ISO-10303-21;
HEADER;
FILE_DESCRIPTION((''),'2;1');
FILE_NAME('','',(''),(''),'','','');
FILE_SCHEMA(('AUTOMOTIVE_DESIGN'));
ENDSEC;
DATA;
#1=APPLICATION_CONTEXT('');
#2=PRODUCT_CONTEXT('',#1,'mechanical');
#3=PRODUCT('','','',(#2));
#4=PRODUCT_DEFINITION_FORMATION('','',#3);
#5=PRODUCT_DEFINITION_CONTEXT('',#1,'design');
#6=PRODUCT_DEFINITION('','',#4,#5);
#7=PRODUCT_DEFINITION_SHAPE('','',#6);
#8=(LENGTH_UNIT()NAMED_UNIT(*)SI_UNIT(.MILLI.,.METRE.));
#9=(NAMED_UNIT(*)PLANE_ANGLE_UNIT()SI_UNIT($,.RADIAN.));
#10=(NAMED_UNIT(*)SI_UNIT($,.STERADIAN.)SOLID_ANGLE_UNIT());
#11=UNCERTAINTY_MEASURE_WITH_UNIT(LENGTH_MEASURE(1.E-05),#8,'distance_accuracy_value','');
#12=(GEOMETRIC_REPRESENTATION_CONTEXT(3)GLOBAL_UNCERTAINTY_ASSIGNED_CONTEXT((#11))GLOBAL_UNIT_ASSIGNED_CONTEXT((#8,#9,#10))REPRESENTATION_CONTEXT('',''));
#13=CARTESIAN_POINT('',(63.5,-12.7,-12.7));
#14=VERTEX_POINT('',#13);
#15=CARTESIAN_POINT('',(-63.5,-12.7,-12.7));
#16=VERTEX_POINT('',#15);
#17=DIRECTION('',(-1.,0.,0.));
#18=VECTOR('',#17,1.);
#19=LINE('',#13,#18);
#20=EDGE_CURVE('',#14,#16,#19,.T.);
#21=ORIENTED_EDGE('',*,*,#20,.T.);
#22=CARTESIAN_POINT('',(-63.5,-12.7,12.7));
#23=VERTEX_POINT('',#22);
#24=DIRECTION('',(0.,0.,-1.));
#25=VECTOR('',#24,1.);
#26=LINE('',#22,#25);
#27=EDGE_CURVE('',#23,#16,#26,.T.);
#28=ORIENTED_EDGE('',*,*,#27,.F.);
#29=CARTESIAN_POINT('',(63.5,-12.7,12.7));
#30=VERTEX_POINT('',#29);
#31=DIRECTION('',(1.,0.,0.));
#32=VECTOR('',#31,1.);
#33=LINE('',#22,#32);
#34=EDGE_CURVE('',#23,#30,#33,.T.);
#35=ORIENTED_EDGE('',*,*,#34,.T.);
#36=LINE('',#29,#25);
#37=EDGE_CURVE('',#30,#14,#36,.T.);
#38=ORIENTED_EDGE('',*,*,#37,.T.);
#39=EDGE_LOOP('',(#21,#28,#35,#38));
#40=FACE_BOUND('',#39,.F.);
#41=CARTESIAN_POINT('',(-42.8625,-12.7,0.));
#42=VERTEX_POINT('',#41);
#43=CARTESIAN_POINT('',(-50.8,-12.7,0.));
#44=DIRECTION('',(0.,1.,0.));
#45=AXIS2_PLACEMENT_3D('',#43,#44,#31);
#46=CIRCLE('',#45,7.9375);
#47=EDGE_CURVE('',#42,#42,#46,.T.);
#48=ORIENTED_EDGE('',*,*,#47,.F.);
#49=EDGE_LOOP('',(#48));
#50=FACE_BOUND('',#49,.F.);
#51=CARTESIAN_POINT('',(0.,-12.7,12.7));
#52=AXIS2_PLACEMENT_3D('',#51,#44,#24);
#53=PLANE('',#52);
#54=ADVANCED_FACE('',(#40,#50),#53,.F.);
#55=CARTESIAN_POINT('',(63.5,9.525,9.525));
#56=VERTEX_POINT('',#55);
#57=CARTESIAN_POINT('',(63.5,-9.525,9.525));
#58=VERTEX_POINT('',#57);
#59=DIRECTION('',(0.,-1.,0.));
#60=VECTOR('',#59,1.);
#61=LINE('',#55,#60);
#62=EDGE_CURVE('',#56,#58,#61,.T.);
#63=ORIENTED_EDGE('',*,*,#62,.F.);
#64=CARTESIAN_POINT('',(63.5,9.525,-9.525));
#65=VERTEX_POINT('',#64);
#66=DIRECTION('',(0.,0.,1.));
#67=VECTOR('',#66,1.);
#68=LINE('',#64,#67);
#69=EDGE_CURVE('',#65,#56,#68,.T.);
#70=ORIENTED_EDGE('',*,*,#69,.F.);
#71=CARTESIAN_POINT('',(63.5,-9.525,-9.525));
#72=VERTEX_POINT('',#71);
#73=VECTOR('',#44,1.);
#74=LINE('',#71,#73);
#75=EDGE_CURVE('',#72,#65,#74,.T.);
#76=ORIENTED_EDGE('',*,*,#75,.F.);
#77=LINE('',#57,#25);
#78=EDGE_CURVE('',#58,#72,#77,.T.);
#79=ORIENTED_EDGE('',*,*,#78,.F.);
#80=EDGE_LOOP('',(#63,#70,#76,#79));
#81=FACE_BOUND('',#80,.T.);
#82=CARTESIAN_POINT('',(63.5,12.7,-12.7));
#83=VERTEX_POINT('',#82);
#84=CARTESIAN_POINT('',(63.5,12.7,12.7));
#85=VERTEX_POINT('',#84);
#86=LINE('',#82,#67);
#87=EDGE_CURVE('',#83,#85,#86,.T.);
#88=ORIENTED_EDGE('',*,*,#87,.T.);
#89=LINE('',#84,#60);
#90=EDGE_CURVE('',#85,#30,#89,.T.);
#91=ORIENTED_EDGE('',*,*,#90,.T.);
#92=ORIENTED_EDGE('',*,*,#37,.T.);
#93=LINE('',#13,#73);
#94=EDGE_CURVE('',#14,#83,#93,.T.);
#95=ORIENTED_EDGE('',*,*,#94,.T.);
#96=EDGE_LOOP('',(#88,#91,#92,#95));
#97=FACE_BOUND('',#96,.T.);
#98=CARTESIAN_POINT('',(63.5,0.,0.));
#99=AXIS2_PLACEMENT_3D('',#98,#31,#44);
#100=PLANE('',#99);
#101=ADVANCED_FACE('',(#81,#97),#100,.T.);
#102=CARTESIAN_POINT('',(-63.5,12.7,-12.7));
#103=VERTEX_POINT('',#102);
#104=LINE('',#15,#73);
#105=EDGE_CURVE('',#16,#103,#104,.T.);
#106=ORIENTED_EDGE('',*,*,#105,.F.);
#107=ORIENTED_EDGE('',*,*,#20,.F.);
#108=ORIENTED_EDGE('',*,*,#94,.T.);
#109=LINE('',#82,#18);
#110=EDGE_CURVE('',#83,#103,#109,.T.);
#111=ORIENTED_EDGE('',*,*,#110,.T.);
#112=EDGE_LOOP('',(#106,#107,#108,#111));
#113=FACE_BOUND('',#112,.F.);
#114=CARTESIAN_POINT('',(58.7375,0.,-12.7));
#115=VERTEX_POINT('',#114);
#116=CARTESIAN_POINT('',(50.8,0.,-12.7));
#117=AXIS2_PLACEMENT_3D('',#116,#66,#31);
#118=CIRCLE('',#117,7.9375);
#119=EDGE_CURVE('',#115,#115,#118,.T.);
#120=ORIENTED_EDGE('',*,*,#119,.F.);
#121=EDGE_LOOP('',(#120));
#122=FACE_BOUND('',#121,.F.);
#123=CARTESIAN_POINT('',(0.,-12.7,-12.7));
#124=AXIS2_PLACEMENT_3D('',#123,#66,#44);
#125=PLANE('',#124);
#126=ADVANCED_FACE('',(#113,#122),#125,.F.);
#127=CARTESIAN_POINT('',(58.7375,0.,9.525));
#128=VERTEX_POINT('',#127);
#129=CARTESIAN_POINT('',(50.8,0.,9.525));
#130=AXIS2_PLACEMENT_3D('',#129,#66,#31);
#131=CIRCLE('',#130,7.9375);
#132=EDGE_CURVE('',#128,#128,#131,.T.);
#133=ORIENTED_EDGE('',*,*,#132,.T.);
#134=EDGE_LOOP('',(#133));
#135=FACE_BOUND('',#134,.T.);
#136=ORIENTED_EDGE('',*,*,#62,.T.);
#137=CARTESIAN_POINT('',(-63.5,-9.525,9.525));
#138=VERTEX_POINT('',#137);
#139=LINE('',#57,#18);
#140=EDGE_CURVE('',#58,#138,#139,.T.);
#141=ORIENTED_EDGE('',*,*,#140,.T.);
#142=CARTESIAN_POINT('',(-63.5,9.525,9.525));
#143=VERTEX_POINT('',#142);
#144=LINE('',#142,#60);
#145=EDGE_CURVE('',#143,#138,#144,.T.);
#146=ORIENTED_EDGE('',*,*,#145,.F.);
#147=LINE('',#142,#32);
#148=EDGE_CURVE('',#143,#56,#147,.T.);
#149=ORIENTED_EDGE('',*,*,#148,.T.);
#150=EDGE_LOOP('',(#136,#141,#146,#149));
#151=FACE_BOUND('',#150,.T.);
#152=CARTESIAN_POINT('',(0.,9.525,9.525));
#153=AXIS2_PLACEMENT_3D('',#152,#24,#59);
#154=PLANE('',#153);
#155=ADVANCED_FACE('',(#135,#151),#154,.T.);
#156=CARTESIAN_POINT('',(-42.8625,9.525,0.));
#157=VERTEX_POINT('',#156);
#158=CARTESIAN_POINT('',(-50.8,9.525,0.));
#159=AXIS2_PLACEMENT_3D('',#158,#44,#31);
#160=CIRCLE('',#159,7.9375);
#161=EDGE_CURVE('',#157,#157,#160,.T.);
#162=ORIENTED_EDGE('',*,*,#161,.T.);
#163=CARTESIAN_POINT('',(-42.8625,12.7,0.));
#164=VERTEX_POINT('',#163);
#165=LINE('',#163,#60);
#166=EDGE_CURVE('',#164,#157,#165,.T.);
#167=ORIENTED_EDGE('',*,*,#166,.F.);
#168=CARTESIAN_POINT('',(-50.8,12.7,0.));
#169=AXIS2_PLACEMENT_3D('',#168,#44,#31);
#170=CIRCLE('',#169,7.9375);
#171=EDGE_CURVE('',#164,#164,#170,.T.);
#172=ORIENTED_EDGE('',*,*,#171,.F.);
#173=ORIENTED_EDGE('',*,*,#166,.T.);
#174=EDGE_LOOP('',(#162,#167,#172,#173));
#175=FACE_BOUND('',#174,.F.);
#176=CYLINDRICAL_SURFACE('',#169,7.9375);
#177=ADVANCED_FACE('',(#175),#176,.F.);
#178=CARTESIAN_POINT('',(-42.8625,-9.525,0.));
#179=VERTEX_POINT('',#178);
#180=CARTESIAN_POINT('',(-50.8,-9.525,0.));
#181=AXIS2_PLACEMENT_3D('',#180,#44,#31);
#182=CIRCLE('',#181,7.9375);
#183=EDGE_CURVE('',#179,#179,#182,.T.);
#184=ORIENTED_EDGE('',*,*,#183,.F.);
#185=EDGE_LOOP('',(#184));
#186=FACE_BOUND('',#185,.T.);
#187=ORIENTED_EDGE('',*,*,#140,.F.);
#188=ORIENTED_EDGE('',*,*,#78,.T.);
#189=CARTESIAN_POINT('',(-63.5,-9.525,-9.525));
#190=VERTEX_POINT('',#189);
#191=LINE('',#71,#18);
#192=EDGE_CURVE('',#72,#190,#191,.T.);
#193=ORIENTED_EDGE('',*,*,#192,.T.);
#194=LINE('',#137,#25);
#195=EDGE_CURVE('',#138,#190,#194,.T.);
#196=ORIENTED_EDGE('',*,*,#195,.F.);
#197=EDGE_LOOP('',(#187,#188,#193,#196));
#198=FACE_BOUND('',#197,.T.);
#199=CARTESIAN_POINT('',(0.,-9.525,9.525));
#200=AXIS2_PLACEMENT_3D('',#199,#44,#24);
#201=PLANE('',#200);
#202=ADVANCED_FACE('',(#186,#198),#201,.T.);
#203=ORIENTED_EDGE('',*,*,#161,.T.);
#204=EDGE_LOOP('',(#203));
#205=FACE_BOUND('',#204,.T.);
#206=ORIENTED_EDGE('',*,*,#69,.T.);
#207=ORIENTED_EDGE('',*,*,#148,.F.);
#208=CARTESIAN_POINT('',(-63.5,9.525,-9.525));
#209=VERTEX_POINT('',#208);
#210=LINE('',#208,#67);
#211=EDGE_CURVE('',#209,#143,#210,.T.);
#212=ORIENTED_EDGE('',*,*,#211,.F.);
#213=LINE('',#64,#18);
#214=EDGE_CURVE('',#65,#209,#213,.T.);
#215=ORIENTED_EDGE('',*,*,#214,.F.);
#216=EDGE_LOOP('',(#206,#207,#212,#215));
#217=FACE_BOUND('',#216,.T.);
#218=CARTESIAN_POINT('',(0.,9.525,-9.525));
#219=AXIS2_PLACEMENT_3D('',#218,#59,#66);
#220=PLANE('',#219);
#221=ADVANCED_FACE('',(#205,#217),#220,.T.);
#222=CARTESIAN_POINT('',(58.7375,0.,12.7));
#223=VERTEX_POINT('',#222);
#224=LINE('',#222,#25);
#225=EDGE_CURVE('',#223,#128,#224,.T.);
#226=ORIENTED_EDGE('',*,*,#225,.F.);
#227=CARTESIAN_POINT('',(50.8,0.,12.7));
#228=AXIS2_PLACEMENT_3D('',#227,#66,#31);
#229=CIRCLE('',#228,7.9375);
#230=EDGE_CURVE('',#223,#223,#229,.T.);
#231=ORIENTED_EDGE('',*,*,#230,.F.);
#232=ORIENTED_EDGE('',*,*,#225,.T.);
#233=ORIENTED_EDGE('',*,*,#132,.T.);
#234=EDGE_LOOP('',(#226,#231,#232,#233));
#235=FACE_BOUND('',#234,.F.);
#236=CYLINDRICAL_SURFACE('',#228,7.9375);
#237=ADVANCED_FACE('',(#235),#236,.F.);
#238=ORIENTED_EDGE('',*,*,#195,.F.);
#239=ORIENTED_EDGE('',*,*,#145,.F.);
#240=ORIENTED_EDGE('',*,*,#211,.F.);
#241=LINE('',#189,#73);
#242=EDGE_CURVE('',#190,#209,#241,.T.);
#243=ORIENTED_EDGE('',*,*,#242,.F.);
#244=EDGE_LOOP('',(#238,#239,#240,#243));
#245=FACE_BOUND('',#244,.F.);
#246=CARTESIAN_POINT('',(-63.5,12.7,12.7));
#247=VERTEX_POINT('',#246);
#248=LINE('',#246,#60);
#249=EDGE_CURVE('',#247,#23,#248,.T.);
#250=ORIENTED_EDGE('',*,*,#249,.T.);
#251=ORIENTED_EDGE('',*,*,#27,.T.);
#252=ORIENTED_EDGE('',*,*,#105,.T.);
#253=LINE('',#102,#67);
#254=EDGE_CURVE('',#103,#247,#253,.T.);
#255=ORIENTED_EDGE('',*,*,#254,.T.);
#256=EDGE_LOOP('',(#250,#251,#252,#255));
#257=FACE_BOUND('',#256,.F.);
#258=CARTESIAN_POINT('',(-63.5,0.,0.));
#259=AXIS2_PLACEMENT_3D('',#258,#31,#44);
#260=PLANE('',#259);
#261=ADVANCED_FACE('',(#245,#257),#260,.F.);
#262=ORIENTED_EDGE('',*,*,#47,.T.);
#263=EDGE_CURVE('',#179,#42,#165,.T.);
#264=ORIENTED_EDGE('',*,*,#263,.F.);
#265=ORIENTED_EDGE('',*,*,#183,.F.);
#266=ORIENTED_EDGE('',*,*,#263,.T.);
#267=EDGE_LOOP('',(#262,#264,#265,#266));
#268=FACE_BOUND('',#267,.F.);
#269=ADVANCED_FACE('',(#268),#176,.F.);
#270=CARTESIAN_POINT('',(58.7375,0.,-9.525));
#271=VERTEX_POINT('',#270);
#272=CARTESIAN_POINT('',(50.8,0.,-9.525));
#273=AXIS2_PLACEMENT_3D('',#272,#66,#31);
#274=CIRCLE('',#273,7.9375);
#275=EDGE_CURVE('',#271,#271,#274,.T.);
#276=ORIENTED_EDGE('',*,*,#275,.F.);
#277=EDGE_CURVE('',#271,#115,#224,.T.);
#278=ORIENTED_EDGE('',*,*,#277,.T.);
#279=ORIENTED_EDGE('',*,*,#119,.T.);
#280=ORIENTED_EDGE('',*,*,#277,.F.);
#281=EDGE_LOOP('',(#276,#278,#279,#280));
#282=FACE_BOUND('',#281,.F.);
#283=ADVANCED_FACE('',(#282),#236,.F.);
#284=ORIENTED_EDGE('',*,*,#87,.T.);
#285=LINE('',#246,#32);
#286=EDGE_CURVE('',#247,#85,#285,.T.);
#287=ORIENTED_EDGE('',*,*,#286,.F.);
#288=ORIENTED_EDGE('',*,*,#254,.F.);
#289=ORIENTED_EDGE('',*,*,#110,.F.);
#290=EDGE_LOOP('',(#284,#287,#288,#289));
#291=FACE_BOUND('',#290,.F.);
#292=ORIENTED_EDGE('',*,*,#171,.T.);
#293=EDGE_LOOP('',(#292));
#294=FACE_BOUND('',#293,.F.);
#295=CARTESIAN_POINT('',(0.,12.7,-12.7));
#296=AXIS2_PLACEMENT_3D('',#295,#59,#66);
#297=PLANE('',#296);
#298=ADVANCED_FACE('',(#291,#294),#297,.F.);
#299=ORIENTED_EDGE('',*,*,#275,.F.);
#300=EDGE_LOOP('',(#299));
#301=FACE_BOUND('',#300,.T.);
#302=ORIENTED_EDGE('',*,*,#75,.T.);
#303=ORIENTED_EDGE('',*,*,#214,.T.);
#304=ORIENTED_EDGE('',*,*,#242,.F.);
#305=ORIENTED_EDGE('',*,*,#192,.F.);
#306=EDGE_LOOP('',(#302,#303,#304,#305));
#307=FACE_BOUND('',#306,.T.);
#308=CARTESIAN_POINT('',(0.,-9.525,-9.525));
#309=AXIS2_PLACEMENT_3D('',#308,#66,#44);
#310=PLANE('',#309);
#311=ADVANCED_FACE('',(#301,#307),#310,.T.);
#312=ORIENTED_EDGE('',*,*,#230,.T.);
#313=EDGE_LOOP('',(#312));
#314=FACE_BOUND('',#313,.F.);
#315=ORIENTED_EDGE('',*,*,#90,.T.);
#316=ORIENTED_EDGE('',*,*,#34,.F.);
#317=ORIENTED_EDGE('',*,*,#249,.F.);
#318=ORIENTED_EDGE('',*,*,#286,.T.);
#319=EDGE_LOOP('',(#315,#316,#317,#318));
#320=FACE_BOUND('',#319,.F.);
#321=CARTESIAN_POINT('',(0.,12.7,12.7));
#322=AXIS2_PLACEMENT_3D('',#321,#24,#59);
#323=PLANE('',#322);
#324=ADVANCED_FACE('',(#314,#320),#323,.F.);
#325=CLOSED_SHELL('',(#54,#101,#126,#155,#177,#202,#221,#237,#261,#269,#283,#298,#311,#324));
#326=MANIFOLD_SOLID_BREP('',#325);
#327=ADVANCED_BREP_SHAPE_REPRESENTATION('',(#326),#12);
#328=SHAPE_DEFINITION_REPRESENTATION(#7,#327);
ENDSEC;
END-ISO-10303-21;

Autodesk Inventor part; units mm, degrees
ref_plane "YZ Plane" through (0, 0, 0) normal (1, 0, 0) x (0, 1, 0)
ref_plane "XZ Plane" through (0, 0, 0) normal (0, 1, 0) x (-1, 0, 0)
ref_plane "XY Plane" through (0, 0, 0) normal (0, 0, 1) x (1, 0, 0)
sketch "Sketch1" plane through (0, 0, 0) normal (1, 0, 0) x (0, 1, 0)
  line L0 (-17.78, 0) -> (17.78, 0) construction
  line L1 (0, -17.78) -> (0, 17.78) construction
  line L2 (9.525, 9.525) -> (-9.525, 9.525)
  line L3 (-9.525, 9.525) -> (-9.525, -9.525)
  line L4 (-9.525, -9.525) -> (9.525, -9.525)
  line L5 (9.525, -9.525) -> (9.525, 9.525)
  line L6 (12.7, 12.7) -> (-12.7, 12.7)
  line L7 (-12.7, 12.7) -> (-12.7, -12.7)
  line L8 (-12.7, -12.7) -> (12.7, -12.7)
  line L9 (12.7, -12.7) -> (12.7, 12.7)
  point P0 (0, 0)
  point P1 (0, 12.7)
  point P2 (0, 9.525)
  point P3 (12.7, 0)
  point P4 (9.525, 0)
  dimension "d0" = 3.175
  dimension "d1" = 25.4
extrude "Extrusion1" add sketch "Sketch1" along normal mid plane 127
sketch "Sketch2" plane through (-63.5, -12.7, 12.7) normal (0, 0, 1) x (1, 0, 0)
  line L0 (63.5, -5.08) -> (63.5, 30.48) construction
  line L1 (-29.5275, 12.7) -> (177.165, 12.7) construction
  circle A0 centre (114.3, 12.7) radius 7.9375
  line L2 (127, 25.4) -> (127, 0) construction
  point P0 (63.5, 12.7)
  dimension "d4" = 15.875
  dimension "d5" = 12.7
extrude "Extrusion2" cut sketch "Sketch2" against normal through all
sketch "Sketch3" plane through (-63.5, 12.7, 12.7) normal (0, 1, 0) x (1, 0, 0)
  line L0 (63.5, 30.48) -> (63.5, -5.08) construction
  line L1 (-25.4, 12.7) -> (152.4, 12.7) construction
  circle A0 centre (12.7, 12.7) radius 7.9375
  line L2 (0, 0) -> (0, 25.4) construction
  point P0 (63.5, 12.7)
  dimension "d8" = 12.7
  dimension "d9" = 15.875
extrude "Extrusion3" cut sketch "Sketch3" against normal through all
properties part number "Coupler" material "Aluminum 6061"
